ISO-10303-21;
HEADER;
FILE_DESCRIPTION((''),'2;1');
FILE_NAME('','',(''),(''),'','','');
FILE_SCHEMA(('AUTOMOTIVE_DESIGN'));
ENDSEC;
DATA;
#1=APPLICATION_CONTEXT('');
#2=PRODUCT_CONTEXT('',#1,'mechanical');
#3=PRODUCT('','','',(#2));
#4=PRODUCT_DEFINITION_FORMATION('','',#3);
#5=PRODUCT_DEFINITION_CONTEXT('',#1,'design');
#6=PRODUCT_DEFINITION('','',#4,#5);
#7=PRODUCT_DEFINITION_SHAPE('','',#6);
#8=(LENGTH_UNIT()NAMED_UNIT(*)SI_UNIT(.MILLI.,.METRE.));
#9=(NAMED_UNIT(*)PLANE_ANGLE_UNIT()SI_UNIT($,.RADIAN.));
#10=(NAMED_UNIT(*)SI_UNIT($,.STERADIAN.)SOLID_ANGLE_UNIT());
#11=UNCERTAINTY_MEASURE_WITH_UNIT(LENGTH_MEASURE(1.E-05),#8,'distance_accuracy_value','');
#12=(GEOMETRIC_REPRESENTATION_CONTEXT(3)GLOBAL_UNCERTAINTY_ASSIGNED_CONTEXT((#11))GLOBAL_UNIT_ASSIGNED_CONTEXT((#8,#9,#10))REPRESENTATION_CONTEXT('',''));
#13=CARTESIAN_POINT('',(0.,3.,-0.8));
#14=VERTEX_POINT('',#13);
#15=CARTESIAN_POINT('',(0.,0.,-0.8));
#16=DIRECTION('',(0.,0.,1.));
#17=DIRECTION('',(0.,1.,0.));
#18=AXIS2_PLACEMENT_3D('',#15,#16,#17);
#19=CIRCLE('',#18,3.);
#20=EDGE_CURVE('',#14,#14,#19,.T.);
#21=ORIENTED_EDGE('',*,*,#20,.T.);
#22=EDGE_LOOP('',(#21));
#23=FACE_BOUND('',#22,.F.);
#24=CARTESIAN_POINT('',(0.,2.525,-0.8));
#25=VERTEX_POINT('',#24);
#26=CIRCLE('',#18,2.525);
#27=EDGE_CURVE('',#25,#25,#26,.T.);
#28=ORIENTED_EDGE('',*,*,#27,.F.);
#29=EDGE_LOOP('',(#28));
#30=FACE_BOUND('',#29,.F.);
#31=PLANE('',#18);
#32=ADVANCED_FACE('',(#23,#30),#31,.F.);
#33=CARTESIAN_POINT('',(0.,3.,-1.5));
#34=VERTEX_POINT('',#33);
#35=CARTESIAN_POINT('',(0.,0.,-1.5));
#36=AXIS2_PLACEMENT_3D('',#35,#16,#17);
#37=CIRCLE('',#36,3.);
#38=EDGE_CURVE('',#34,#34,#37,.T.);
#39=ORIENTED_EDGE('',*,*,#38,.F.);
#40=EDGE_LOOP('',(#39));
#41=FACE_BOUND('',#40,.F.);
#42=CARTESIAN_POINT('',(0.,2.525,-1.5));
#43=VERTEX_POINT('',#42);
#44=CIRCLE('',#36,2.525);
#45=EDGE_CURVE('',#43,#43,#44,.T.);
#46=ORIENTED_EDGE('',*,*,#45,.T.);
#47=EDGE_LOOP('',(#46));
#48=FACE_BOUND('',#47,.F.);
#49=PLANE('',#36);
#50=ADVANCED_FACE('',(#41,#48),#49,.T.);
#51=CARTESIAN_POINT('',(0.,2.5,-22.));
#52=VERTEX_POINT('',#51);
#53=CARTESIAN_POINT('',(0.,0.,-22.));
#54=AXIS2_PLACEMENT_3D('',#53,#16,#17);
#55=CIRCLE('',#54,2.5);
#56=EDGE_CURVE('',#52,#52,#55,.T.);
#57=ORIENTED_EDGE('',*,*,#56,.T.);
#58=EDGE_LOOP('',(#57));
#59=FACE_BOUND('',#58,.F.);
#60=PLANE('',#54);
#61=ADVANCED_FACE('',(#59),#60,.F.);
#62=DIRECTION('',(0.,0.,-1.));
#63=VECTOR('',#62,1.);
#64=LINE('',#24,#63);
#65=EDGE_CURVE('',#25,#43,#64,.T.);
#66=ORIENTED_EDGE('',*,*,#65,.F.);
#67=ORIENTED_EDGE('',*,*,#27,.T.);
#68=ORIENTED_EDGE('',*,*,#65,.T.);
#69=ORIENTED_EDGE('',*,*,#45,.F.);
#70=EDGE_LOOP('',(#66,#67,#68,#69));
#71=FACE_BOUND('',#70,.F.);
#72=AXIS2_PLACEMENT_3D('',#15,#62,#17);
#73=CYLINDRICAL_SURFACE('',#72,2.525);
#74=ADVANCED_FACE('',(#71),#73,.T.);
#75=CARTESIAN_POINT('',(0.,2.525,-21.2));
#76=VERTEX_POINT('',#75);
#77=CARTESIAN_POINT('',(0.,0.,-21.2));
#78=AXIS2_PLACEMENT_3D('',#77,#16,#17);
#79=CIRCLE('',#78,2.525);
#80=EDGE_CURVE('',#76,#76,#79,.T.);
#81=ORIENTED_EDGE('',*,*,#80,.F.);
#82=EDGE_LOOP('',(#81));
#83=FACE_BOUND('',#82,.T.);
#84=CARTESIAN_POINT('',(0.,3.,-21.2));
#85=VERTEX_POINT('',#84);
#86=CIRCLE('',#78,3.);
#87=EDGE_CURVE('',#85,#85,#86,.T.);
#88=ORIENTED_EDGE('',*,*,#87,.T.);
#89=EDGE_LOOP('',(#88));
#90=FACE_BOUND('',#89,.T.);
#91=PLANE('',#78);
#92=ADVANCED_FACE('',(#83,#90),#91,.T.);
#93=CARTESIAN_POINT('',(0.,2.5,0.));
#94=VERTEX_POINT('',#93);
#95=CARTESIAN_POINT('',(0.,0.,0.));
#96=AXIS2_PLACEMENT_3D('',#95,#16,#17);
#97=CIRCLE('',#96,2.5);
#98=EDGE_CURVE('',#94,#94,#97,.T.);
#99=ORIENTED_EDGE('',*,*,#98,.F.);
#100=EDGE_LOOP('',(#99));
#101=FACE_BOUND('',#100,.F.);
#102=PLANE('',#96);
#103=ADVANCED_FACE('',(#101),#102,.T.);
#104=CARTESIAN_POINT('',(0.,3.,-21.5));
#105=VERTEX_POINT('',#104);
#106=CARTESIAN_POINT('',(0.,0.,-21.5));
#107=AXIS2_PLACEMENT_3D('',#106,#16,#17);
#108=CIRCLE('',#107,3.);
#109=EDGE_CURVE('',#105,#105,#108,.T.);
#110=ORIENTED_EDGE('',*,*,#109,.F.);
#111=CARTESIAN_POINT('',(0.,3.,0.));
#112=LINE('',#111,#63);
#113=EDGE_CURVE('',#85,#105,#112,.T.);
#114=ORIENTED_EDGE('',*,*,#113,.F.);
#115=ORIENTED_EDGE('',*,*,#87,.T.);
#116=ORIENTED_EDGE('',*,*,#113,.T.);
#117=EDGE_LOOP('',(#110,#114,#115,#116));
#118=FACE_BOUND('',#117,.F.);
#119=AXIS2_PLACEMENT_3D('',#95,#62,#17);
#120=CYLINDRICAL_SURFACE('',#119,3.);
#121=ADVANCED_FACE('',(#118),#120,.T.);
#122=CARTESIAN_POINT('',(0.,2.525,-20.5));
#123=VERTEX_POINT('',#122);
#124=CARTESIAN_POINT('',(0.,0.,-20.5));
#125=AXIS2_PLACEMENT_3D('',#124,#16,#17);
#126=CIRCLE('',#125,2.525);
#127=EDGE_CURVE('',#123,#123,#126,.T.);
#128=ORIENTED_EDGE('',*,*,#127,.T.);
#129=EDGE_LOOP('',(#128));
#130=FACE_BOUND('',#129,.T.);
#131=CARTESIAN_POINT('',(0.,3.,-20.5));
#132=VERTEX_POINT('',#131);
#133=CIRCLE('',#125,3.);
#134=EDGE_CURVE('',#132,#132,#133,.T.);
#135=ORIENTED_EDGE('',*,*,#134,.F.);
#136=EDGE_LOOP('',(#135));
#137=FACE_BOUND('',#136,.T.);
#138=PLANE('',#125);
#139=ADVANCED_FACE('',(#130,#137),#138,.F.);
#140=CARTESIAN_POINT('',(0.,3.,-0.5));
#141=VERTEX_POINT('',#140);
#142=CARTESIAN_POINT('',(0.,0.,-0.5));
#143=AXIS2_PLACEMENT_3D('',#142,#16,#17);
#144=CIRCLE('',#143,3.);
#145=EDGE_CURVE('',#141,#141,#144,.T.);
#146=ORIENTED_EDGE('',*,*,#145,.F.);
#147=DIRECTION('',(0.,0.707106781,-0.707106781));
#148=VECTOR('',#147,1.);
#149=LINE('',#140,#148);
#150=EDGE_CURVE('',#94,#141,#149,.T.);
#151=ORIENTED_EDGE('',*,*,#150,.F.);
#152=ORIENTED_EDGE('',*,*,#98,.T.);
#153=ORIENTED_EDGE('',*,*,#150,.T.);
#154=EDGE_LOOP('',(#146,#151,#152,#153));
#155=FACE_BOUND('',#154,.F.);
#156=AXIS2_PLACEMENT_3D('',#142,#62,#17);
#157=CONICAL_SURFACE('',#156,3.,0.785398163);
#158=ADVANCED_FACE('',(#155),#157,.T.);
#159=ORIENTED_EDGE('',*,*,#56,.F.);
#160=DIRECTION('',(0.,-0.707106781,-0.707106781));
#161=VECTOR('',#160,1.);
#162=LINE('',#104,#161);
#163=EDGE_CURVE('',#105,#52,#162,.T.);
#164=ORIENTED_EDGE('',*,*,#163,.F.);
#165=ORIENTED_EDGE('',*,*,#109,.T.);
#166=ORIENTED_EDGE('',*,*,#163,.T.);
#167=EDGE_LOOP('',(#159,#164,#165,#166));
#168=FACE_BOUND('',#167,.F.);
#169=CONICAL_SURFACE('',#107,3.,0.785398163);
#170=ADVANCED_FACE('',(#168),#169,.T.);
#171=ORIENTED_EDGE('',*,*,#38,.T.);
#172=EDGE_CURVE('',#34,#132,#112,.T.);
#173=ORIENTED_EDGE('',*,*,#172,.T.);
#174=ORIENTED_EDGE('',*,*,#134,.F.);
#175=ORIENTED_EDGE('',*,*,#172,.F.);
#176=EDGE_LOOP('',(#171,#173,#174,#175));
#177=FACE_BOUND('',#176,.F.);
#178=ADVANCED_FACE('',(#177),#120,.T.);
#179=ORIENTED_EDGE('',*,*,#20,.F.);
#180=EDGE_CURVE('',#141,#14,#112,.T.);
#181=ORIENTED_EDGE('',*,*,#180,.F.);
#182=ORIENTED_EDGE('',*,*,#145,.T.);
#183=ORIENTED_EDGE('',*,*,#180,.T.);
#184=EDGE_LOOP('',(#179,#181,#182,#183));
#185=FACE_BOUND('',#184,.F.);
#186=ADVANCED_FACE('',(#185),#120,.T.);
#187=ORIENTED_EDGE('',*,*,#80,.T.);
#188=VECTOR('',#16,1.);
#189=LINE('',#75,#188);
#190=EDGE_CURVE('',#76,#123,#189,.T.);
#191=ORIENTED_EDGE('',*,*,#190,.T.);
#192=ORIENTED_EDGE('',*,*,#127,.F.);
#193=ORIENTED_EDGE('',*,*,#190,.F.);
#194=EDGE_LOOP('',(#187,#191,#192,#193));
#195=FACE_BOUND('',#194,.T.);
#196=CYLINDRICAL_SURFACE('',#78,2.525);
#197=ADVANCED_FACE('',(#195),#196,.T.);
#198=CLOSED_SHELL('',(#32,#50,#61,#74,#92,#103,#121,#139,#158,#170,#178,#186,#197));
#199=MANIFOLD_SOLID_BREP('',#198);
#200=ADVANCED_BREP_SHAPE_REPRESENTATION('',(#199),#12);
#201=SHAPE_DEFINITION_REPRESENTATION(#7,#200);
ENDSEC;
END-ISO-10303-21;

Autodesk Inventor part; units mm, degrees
ref_plane "YZ Plane" through (0, 0, 0) normal (1, 0, 0) x (0, 1, 0)
ref_plane "XZ Plane" through (0, 0, 0) normal (0, 1, 0) x (-1, 0, 0)
ref_plane "XY Plane" through (0, 0, 0) normal (0, 0, 1) x (1, 0, 0)
sketch "Sketch1" plane through (0, 0, 0) normal (1, 0, 0) x (0, 1, 0)
  line L0 (0, 0) -> (3, 0)
  line L1 (3, 0) -> (3, -22)
  line L2 (3, -22) -> (0, -22)
  line L3 (0, -22) -> (0, 0)
  line L4 (3, -0.8) -> (2.525, -0.8)
  line L5 (2.525, -0.8) -> (2.525, -1.5)
  line L6 (2.525, -1.5) -> (3, -1.5)
  line L7 (3, -1.5) -> (3, -0.8)
  line L8 (3, -21.2) -> (2.525, -21.2)
  line L9 (2.525, -21.2) -> (2.525, -20.5)
  line L10 (2.525, -20.5) -> (3, -20.5)
  line L11 (3, -20.5) -> (3, -21.2)
  point P0 (2.525, -20.85)
  point P1 (3, -20.5)
  point P2 (1.5, -22)
  dimension "d0" = 6
  dimension "d1" = 19
  dimension "d4" = 0.7
  dimension "d5" = 0.7
  dimension "d6" = 5.05
  dimension "d11" = 22
  dimension "d12" = 0.8
revolve "Revolution1" add sketch "Sketch1" angle 360 about axis through (0, 0, -22) along (0, 0, 1) contours L0 L1 L4 L5 L6 L10 L9 L8 L2 L3
chamfer "Chamfer1" distance 0.5 angle 45 2 edges at (0, -3, 0) (0, -3, -22)
equation "\"d5\" = d4"
properties part number "D6 L20 rod pin" material "Steel, Carbon"
